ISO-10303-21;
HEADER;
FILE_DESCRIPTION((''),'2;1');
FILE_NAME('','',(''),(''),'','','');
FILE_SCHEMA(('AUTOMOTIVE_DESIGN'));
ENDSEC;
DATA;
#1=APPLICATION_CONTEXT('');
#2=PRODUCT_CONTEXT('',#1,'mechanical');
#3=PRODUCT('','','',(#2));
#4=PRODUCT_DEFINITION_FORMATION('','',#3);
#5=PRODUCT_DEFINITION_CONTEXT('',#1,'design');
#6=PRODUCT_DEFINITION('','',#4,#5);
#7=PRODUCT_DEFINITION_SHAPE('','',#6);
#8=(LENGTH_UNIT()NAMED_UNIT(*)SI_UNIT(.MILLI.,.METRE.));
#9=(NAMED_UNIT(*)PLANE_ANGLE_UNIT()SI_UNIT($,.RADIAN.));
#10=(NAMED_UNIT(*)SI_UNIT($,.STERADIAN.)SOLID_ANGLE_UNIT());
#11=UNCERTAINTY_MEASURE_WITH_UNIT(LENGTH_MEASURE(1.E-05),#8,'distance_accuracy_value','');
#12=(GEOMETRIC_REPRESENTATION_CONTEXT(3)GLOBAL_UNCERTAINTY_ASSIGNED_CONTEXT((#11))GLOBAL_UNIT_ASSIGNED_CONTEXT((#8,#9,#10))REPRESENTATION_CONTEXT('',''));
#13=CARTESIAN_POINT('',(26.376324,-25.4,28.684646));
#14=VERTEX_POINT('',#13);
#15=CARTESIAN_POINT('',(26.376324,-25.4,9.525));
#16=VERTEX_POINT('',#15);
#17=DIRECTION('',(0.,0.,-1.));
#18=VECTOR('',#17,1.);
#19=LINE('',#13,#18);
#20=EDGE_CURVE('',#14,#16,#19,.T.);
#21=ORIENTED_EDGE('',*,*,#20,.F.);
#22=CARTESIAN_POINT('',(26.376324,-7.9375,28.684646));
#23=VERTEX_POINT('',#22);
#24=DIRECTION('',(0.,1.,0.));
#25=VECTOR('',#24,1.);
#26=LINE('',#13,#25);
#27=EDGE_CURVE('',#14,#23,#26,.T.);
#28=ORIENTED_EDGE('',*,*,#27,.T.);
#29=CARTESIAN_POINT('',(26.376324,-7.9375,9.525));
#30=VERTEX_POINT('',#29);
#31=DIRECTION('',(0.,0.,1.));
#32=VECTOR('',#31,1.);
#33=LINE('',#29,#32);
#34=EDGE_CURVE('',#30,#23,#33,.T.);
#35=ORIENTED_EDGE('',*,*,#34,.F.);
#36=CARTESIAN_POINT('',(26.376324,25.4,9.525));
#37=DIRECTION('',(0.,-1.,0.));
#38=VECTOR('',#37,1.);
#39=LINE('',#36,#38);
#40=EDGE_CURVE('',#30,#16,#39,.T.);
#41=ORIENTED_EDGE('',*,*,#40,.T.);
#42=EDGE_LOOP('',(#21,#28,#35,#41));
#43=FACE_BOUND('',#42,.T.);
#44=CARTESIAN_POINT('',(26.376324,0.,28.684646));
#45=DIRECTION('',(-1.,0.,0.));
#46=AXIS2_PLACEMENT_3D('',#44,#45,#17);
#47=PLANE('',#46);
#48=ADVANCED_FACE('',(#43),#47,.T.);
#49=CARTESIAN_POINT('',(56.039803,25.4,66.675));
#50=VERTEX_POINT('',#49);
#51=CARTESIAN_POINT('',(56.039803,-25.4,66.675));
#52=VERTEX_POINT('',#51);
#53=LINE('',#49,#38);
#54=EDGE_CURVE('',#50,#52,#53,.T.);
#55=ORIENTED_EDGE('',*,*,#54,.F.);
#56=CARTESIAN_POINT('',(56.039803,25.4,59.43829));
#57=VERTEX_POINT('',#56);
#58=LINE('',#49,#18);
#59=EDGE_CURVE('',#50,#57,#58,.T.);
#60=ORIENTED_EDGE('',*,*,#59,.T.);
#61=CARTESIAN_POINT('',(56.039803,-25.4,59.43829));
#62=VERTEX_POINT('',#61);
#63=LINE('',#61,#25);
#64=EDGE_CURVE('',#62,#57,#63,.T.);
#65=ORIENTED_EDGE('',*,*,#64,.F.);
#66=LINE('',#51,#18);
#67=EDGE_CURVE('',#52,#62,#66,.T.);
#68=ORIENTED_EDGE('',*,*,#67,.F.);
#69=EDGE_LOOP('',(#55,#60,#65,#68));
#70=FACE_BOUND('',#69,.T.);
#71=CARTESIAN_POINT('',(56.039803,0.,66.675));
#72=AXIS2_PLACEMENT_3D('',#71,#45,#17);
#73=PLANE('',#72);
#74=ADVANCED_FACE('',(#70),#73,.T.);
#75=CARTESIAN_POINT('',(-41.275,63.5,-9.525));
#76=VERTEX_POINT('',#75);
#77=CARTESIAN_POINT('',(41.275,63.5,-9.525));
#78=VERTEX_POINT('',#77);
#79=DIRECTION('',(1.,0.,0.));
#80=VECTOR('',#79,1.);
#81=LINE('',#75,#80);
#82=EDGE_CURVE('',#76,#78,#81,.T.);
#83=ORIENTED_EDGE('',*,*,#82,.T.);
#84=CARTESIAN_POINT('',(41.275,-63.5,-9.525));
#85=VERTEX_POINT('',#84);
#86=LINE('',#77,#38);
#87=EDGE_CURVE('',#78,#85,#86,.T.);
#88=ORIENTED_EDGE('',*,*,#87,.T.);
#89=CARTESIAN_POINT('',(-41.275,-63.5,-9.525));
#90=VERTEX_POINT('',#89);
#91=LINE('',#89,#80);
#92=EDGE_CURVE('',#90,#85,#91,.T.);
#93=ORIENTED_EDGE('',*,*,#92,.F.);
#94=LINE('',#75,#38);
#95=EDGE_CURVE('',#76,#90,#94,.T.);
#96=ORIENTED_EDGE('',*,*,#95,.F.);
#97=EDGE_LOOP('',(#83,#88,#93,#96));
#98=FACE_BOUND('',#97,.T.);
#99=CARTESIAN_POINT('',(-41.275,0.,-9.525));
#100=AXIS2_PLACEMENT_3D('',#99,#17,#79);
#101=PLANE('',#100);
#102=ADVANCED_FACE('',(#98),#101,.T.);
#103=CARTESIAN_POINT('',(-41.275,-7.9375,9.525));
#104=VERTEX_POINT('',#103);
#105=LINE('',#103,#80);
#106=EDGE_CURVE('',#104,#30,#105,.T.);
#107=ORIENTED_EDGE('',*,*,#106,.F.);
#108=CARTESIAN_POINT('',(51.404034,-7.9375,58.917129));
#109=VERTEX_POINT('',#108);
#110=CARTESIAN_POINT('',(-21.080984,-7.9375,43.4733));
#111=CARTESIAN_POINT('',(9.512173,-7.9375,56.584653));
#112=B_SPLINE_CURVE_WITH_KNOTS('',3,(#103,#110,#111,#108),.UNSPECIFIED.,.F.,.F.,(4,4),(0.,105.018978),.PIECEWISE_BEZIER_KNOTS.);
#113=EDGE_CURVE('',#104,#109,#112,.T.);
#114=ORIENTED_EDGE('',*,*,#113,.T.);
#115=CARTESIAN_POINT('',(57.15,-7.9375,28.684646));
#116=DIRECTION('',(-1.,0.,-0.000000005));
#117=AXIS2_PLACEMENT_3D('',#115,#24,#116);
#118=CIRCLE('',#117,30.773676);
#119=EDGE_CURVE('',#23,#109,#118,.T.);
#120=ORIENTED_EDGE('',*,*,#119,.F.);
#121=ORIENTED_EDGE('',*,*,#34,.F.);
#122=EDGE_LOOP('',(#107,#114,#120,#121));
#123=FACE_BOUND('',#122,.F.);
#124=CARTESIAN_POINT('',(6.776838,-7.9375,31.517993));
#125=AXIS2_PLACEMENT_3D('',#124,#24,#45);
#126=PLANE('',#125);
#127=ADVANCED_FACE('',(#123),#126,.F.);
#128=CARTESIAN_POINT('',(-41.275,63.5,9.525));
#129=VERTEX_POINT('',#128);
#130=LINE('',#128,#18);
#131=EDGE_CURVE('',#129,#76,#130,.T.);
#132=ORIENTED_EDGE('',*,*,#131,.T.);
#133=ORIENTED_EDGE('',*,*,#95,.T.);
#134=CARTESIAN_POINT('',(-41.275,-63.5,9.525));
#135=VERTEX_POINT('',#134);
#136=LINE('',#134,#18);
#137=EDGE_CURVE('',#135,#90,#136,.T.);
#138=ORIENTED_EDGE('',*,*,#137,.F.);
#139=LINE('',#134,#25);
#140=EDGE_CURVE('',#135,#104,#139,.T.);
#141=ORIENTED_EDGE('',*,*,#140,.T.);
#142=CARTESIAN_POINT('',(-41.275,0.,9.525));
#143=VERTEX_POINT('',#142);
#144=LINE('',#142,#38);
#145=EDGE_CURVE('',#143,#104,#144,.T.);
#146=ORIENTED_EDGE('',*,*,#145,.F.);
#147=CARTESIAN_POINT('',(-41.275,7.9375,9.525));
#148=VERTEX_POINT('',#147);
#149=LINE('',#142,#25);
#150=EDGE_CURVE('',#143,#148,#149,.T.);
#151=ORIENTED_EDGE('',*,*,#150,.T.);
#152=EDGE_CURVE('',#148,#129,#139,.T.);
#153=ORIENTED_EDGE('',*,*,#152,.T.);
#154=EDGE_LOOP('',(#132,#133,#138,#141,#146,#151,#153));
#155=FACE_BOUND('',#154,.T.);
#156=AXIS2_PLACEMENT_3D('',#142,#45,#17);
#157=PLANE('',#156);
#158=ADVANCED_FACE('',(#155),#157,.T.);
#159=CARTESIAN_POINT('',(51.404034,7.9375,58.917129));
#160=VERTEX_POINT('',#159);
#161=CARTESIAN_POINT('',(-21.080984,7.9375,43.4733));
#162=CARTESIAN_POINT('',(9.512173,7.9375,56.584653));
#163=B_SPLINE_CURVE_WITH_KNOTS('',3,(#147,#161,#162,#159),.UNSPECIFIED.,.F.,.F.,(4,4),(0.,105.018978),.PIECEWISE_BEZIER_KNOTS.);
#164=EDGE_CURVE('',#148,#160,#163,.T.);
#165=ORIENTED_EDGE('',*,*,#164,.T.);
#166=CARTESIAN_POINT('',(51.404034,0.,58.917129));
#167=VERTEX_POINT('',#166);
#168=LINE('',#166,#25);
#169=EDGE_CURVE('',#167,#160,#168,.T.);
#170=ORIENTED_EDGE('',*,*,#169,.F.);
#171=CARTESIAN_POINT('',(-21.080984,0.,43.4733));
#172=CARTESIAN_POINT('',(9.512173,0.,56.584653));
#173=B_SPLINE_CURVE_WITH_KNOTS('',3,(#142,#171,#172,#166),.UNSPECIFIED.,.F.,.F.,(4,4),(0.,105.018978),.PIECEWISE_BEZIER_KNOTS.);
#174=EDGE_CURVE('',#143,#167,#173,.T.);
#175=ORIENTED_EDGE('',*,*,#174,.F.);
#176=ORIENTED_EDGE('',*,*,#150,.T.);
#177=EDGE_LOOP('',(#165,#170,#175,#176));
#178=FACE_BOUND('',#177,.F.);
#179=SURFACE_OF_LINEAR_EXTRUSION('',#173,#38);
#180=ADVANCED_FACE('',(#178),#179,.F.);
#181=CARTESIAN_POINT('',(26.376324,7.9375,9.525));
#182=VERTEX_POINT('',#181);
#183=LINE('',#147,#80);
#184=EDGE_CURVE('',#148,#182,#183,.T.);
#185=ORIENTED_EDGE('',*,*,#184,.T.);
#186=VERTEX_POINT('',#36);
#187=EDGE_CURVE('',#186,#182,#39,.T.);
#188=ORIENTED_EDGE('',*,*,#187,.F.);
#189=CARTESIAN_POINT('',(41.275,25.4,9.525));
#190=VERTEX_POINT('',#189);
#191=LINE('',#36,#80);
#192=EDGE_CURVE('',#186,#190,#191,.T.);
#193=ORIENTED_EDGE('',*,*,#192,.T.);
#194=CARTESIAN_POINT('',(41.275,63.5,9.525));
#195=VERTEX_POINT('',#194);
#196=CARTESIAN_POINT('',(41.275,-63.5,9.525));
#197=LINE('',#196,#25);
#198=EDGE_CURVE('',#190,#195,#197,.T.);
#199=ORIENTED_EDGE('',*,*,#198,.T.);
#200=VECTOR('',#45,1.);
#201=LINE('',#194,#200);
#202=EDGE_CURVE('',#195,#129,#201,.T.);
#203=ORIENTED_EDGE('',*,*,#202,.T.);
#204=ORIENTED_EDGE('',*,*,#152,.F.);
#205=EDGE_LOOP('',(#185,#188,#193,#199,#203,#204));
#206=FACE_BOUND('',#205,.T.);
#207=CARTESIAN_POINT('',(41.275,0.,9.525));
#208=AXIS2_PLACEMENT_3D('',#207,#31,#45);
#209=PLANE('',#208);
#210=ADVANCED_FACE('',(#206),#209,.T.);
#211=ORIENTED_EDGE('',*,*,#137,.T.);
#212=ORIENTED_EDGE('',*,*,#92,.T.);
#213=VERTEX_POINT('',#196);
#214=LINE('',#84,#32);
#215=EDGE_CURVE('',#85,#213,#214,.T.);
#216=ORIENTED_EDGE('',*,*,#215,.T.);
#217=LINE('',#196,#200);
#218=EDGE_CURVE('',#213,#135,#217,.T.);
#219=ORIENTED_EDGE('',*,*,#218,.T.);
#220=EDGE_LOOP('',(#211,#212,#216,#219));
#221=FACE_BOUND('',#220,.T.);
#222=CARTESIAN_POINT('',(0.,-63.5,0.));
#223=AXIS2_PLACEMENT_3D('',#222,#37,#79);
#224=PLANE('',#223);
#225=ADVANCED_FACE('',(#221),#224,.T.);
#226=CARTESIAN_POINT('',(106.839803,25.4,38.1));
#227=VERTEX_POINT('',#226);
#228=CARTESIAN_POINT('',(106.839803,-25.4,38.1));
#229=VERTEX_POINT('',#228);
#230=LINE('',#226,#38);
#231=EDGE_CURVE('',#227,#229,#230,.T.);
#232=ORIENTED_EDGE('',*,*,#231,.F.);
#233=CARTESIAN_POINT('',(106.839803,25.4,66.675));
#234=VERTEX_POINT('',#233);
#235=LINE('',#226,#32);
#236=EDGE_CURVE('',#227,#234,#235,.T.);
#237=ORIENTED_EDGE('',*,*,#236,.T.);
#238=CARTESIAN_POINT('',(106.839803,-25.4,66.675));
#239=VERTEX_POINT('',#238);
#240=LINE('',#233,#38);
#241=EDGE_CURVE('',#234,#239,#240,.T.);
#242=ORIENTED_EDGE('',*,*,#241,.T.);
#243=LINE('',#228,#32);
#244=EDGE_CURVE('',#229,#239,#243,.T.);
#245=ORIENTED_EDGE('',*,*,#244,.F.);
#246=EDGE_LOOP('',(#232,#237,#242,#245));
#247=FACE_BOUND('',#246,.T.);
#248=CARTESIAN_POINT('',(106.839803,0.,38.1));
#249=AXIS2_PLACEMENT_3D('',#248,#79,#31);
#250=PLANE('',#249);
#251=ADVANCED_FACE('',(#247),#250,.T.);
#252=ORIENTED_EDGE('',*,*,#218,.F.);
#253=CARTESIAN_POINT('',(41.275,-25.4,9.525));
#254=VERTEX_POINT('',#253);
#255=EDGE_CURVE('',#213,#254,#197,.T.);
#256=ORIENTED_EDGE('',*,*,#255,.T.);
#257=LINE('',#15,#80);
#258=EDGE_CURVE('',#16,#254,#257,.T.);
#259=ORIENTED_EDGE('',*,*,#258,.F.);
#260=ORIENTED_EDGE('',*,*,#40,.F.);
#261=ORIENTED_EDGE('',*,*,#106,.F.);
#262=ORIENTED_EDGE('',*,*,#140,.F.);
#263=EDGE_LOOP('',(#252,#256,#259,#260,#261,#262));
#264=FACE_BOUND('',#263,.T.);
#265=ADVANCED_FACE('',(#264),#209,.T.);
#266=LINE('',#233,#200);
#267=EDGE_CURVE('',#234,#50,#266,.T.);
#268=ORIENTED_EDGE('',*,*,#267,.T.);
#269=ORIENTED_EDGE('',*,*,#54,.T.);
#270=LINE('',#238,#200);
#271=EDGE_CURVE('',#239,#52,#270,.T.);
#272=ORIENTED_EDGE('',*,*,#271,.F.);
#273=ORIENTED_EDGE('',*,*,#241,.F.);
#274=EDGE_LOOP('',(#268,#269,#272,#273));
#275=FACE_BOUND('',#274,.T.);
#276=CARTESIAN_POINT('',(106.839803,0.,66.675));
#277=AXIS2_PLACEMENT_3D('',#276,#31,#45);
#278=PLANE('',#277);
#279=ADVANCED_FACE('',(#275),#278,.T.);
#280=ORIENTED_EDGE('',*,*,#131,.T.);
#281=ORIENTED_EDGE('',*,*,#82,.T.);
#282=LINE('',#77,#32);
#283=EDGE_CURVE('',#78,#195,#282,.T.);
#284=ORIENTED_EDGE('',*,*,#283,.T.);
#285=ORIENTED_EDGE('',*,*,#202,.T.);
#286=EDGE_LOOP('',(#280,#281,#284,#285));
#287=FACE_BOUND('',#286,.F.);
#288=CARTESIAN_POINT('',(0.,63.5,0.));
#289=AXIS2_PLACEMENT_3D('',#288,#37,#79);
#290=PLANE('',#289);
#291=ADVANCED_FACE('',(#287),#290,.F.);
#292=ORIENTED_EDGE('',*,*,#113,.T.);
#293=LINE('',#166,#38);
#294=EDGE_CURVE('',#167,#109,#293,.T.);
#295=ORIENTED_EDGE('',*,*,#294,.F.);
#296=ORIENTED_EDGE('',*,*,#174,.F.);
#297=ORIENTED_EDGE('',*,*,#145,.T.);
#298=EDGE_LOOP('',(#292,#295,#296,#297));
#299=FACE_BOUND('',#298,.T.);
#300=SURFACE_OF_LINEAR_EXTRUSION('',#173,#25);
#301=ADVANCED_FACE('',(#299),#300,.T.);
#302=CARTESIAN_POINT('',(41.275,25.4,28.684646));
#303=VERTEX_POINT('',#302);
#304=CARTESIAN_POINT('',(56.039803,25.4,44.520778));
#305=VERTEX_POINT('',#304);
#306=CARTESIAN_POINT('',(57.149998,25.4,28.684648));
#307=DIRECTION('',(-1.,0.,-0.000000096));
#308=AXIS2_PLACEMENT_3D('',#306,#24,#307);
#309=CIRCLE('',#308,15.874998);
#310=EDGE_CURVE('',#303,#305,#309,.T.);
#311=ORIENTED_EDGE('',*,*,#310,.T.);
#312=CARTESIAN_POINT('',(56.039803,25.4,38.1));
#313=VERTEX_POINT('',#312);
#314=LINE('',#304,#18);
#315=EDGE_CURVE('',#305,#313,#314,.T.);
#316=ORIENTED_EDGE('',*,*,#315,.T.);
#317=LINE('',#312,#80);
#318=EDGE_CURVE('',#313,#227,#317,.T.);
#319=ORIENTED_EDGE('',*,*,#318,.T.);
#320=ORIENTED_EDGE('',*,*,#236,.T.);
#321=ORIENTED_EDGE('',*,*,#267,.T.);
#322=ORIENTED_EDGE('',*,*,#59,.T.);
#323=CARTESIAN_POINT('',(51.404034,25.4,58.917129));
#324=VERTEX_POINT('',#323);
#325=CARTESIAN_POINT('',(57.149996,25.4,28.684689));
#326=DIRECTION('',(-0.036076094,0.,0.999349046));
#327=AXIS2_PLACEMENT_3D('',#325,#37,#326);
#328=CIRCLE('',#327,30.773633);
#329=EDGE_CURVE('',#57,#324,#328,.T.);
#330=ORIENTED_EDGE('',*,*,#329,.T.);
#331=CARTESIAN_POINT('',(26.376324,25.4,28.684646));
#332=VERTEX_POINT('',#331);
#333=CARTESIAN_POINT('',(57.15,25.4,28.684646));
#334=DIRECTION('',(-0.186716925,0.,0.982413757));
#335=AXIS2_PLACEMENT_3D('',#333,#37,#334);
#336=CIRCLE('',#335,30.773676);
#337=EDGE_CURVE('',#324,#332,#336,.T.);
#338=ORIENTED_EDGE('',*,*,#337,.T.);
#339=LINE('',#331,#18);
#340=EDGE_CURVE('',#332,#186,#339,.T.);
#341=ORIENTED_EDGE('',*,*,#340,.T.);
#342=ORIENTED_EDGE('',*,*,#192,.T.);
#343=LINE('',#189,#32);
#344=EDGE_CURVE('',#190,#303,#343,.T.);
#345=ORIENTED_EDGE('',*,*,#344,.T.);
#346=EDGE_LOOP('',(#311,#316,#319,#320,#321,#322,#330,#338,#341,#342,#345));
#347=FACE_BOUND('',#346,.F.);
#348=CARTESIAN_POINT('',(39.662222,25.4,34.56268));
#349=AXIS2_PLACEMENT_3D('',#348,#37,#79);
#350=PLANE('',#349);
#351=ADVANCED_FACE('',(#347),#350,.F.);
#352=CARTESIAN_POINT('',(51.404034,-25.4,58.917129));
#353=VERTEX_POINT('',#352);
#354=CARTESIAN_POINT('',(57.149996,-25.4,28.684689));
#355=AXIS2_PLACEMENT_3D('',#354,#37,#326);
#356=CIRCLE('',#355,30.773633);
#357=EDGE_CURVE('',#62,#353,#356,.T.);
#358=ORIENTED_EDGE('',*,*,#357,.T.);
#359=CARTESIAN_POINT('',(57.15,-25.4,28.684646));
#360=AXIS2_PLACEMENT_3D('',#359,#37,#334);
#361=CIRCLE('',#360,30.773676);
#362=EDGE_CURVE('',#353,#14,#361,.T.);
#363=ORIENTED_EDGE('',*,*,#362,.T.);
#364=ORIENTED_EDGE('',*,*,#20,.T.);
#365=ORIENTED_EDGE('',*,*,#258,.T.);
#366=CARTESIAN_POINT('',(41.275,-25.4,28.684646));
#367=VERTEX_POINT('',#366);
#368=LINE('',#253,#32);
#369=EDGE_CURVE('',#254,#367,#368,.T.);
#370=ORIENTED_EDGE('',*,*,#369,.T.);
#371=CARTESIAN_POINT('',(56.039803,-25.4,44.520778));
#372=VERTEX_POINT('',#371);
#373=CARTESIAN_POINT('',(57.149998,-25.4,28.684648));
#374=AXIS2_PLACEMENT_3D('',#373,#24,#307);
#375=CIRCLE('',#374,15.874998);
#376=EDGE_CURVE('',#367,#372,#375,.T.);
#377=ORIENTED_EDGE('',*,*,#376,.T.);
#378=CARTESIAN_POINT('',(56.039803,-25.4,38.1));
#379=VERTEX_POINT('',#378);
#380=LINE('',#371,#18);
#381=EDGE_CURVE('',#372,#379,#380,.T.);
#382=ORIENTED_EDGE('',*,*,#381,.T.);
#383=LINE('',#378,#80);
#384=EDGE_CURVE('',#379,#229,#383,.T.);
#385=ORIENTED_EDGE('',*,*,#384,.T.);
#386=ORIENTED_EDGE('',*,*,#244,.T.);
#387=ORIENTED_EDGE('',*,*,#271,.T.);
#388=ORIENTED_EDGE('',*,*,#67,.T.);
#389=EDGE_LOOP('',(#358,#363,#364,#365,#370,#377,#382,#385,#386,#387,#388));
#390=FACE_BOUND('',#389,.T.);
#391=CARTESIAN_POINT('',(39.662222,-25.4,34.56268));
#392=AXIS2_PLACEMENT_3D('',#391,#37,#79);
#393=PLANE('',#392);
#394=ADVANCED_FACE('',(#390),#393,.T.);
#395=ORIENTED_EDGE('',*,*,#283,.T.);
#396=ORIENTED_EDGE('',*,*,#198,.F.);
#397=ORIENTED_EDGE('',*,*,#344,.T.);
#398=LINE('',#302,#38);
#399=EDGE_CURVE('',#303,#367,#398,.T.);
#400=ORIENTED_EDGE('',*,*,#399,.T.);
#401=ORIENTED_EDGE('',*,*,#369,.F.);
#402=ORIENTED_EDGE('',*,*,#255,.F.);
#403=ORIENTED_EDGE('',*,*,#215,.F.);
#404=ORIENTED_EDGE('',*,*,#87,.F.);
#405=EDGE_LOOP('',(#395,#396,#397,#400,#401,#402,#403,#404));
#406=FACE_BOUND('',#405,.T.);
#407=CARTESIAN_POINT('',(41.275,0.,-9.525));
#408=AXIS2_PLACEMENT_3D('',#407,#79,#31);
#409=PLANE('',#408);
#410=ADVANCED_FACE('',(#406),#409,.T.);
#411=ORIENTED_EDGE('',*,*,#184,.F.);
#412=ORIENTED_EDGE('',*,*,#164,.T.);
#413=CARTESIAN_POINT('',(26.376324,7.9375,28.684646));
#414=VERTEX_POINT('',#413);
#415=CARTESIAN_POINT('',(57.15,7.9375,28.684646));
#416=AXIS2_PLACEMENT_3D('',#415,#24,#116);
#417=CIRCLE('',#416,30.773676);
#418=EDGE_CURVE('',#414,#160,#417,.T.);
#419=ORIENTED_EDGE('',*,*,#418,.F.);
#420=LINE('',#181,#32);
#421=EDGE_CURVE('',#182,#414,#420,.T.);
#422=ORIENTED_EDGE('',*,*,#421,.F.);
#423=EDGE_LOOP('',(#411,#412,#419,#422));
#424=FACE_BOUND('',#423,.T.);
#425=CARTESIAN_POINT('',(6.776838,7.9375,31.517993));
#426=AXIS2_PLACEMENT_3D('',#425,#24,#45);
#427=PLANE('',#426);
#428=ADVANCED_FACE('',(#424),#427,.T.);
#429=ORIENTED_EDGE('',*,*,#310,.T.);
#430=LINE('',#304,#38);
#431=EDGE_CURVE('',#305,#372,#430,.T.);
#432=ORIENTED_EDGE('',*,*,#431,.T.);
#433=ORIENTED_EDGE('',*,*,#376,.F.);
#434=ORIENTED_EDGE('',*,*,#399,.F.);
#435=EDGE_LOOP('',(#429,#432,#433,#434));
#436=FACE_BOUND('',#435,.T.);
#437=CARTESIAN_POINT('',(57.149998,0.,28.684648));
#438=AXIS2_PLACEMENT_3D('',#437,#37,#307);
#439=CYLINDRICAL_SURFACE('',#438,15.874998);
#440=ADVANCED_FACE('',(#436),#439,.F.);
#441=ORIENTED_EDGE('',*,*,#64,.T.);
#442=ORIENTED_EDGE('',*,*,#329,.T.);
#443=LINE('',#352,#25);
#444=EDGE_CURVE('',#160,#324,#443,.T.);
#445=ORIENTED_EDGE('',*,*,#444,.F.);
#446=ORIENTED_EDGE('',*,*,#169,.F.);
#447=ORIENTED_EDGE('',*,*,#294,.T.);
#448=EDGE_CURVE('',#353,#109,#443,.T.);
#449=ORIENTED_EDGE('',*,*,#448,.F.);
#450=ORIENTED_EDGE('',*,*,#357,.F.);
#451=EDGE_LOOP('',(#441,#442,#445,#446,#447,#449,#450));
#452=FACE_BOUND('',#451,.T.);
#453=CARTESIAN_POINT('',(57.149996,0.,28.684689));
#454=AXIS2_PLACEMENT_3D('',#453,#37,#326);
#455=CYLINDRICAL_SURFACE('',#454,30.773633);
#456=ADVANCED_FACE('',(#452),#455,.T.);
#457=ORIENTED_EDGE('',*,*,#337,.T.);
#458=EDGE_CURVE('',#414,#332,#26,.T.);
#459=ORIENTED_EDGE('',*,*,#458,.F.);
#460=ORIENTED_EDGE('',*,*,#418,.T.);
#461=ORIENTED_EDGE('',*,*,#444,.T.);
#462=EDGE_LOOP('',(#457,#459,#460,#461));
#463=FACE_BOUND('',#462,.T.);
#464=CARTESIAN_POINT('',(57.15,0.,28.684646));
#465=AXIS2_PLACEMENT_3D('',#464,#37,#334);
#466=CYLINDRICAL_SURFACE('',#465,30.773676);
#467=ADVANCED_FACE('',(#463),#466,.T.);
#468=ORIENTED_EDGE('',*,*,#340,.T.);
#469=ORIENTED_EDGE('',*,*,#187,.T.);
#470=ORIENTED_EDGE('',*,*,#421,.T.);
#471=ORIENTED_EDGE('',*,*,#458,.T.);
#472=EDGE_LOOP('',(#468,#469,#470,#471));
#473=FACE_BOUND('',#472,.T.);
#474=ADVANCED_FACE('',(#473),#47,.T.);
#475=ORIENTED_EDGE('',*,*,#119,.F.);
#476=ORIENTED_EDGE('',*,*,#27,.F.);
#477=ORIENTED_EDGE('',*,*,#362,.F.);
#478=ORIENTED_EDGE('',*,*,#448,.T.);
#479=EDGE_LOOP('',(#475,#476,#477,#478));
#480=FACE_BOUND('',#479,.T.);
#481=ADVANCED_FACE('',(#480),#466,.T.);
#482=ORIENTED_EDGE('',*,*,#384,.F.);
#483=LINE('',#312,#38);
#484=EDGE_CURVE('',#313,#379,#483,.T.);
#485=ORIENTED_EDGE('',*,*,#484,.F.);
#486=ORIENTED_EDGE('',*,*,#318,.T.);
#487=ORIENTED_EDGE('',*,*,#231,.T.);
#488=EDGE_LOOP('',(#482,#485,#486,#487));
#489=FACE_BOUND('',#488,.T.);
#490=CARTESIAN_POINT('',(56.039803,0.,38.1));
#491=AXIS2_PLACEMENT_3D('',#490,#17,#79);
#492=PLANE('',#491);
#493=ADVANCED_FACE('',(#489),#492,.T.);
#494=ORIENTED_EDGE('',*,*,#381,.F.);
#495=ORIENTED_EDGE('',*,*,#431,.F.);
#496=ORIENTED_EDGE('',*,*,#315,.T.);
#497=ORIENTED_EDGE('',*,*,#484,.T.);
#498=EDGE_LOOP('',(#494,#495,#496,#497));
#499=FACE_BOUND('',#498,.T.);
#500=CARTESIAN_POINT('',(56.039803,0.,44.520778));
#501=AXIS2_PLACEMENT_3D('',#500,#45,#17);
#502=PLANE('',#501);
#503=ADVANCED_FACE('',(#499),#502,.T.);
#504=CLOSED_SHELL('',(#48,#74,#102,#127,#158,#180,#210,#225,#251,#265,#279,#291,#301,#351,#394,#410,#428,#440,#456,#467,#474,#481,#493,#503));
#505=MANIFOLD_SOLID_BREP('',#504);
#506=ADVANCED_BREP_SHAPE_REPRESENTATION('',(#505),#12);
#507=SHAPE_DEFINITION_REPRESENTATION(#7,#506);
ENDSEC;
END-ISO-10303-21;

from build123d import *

# Parameters (mm, degrees)
F1_DEPTH = 63.5
F2_DEPTH = 25.4
F3_DEPTH = 7.9375


with BuildPart() as f1:
    # F0 (on Front) → F1 (new body, symmetric)
    with BuildSketch(Plane.XZ):
        Polygon((26.376324, 9.525), (-41.275, 9.525), (-41.275, -9.525), (41.275, -9.525), (41.275, 9.525), align=None)
    extrude(amount=F1_DEPTH, both=True)

    # F0 (on Front) → F2 (join, symmetric)
    with BuildSketch(Plane.XZ):
        with BuildLine():
            Line((26.376324, 28.684646), (26.376324, 9.525))
            Line((26.376324, 9.525), (41.275, 9.525))
            Line((41.275, 9.525), (41.275, 28.684646))
            ThreePointArc((41.275, 28.684646), (45.538798, 39.510339), (56.039803, 44.520778))
            Line((56.039803, 44.520778), (56.039803, 59.43829))
            ThreePointArc((56.039803, 59.43829), (53.712029, 59.265678), (51.404034, 58.917129))
            ThreePointArc((51.404034, 58.917129), (33.44511, 48.308543), (26.376324, 28.684646))
        make_face()
        Polygon((56.039803, 66.675), (56.039803, 59.43829), (56.039803, 44.520778), (56.039803, 38.144724), (56.039803, 38.1), (106.839803, 38.1), (106.839803, 66.675), align=None)
    extrude(amount=F2_DEPTH, both=True)

    # F0 (on Front) → F3 (join, symmetric)
    with BuildSketch(Plane.XZ):
        with BuildLine():
            add(Edge.make_bspline(
                [(-41.275, 9.525), (-21.080984, 43.4733), (9.512173, 56.584653), (51.404034, 58.917129)],
                knots=[0, 0, 0, 0, 105.018978, 105.018978, 105.018978, 105.018978], degree=3))
            Line((-41.275, 9.525), (26.376324, 9.525))
            Line((26.376324, 9.525), (26.376324, 28.684646))
            ThreePointArc((26.376324, 28.684646), (33.44511, 48.308543), (51.404034, 58.917129))
        make_face()
    extrude(amount=F3_DEPTH, both=True)


solid = f1.part
